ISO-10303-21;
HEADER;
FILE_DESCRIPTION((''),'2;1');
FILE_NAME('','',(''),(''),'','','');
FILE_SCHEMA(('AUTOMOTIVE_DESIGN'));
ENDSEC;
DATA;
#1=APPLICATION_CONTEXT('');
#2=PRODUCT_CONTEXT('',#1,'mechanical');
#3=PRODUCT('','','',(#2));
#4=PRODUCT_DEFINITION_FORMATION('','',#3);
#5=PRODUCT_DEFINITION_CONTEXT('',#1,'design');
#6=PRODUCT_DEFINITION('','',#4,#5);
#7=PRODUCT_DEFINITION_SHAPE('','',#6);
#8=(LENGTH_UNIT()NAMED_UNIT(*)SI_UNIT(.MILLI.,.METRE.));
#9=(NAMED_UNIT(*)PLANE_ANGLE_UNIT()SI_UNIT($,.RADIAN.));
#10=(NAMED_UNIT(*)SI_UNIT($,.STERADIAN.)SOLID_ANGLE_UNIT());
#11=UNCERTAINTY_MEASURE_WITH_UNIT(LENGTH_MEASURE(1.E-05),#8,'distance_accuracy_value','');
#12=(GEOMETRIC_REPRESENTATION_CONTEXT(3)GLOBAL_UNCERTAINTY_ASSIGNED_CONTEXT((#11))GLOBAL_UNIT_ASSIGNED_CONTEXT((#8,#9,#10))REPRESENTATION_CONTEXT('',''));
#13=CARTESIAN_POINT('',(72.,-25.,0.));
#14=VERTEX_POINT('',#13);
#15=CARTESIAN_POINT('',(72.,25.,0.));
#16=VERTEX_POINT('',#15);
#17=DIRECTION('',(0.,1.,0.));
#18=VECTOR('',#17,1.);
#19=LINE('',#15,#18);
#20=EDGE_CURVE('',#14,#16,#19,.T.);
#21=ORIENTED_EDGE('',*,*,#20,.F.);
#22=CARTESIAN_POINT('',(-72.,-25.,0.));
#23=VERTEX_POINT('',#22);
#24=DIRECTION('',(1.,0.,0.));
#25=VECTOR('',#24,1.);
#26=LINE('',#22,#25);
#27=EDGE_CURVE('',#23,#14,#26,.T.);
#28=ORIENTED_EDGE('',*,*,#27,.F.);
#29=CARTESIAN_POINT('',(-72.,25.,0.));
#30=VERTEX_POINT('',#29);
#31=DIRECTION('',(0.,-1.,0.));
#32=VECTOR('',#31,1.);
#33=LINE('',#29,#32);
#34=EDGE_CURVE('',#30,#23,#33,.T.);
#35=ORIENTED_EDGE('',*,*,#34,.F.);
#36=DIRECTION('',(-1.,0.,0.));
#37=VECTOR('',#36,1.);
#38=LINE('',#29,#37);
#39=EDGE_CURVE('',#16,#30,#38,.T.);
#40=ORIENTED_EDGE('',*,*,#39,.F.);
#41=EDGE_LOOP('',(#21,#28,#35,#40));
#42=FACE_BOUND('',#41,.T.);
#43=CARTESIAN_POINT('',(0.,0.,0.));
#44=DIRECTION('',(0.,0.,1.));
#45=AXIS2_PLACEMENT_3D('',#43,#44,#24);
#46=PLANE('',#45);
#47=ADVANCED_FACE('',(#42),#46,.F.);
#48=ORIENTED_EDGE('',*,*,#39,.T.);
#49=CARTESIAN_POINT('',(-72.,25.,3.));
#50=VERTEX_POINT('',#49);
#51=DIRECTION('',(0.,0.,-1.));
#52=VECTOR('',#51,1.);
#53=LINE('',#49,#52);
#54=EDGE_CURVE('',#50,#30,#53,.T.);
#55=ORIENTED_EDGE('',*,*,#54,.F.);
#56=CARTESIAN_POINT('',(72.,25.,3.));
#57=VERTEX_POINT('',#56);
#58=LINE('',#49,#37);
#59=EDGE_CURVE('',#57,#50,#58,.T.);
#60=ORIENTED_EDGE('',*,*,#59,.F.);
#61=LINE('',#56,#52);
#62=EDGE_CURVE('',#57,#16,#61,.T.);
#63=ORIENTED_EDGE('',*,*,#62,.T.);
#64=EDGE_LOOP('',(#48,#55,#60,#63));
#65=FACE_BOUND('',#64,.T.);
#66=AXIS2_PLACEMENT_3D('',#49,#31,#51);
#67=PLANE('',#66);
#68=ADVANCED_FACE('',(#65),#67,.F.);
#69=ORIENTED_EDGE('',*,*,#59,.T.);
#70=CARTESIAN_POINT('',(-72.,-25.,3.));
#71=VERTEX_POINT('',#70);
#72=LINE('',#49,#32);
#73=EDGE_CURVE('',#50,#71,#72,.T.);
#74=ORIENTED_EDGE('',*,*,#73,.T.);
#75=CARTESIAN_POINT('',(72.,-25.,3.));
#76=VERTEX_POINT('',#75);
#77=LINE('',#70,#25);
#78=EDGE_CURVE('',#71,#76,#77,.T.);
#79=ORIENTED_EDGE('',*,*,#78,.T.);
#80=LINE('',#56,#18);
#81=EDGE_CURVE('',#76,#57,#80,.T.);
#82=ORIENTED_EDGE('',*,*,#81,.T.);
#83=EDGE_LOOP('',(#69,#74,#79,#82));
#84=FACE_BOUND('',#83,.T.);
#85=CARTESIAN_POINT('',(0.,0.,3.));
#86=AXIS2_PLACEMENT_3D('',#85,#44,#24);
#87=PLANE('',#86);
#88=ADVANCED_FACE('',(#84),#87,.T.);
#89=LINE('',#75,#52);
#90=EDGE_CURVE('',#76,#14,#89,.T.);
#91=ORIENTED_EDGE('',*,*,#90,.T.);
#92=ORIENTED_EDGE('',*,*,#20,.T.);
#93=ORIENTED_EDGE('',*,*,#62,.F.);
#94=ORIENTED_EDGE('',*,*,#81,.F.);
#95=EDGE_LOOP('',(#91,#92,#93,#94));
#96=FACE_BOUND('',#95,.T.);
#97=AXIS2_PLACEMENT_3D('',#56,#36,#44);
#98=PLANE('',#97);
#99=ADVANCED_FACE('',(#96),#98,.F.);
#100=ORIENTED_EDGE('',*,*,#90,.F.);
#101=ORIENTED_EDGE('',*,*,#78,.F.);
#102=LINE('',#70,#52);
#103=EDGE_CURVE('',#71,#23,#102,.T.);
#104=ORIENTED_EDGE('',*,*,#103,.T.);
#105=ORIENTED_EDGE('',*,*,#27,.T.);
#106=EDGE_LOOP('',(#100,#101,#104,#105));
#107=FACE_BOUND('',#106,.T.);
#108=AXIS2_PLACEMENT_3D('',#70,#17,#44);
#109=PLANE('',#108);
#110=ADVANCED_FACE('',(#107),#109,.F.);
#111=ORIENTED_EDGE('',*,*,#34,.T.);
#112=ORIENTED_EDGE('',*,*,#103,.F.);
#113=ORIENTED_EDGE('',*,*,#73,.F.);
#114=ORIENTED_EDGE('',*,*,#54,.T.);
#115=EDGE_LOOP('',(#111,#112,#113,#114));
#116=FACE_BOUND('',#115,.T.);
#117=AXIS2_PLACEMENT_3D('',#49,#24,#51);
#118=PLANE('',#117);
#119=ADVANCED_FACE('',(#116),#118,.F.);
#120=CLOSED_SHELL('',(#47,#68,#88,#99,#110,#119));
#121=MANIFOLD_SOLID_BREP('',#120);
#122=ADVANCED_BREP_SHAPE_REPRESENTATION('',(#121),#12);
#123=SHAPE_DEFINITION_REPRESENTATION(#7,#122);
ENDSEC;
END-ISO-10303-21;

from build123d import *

# Parameters (mm, degrees)
SKETCH1_W           = 144
SKETCH1_H           = 50
BOSS_EXTRUDE1_DEPTH = 3


with BuildPart() as part:
    # Sketch1 → Boss-Extrude1 (new body)
    with BuildSketch(Plane.XY):
        Rectangle(SKETCH1_W, SKETCH1_H)
    extrude(amount=BOSS_EXTRUDE1_DEPTH)


solid = part.part
